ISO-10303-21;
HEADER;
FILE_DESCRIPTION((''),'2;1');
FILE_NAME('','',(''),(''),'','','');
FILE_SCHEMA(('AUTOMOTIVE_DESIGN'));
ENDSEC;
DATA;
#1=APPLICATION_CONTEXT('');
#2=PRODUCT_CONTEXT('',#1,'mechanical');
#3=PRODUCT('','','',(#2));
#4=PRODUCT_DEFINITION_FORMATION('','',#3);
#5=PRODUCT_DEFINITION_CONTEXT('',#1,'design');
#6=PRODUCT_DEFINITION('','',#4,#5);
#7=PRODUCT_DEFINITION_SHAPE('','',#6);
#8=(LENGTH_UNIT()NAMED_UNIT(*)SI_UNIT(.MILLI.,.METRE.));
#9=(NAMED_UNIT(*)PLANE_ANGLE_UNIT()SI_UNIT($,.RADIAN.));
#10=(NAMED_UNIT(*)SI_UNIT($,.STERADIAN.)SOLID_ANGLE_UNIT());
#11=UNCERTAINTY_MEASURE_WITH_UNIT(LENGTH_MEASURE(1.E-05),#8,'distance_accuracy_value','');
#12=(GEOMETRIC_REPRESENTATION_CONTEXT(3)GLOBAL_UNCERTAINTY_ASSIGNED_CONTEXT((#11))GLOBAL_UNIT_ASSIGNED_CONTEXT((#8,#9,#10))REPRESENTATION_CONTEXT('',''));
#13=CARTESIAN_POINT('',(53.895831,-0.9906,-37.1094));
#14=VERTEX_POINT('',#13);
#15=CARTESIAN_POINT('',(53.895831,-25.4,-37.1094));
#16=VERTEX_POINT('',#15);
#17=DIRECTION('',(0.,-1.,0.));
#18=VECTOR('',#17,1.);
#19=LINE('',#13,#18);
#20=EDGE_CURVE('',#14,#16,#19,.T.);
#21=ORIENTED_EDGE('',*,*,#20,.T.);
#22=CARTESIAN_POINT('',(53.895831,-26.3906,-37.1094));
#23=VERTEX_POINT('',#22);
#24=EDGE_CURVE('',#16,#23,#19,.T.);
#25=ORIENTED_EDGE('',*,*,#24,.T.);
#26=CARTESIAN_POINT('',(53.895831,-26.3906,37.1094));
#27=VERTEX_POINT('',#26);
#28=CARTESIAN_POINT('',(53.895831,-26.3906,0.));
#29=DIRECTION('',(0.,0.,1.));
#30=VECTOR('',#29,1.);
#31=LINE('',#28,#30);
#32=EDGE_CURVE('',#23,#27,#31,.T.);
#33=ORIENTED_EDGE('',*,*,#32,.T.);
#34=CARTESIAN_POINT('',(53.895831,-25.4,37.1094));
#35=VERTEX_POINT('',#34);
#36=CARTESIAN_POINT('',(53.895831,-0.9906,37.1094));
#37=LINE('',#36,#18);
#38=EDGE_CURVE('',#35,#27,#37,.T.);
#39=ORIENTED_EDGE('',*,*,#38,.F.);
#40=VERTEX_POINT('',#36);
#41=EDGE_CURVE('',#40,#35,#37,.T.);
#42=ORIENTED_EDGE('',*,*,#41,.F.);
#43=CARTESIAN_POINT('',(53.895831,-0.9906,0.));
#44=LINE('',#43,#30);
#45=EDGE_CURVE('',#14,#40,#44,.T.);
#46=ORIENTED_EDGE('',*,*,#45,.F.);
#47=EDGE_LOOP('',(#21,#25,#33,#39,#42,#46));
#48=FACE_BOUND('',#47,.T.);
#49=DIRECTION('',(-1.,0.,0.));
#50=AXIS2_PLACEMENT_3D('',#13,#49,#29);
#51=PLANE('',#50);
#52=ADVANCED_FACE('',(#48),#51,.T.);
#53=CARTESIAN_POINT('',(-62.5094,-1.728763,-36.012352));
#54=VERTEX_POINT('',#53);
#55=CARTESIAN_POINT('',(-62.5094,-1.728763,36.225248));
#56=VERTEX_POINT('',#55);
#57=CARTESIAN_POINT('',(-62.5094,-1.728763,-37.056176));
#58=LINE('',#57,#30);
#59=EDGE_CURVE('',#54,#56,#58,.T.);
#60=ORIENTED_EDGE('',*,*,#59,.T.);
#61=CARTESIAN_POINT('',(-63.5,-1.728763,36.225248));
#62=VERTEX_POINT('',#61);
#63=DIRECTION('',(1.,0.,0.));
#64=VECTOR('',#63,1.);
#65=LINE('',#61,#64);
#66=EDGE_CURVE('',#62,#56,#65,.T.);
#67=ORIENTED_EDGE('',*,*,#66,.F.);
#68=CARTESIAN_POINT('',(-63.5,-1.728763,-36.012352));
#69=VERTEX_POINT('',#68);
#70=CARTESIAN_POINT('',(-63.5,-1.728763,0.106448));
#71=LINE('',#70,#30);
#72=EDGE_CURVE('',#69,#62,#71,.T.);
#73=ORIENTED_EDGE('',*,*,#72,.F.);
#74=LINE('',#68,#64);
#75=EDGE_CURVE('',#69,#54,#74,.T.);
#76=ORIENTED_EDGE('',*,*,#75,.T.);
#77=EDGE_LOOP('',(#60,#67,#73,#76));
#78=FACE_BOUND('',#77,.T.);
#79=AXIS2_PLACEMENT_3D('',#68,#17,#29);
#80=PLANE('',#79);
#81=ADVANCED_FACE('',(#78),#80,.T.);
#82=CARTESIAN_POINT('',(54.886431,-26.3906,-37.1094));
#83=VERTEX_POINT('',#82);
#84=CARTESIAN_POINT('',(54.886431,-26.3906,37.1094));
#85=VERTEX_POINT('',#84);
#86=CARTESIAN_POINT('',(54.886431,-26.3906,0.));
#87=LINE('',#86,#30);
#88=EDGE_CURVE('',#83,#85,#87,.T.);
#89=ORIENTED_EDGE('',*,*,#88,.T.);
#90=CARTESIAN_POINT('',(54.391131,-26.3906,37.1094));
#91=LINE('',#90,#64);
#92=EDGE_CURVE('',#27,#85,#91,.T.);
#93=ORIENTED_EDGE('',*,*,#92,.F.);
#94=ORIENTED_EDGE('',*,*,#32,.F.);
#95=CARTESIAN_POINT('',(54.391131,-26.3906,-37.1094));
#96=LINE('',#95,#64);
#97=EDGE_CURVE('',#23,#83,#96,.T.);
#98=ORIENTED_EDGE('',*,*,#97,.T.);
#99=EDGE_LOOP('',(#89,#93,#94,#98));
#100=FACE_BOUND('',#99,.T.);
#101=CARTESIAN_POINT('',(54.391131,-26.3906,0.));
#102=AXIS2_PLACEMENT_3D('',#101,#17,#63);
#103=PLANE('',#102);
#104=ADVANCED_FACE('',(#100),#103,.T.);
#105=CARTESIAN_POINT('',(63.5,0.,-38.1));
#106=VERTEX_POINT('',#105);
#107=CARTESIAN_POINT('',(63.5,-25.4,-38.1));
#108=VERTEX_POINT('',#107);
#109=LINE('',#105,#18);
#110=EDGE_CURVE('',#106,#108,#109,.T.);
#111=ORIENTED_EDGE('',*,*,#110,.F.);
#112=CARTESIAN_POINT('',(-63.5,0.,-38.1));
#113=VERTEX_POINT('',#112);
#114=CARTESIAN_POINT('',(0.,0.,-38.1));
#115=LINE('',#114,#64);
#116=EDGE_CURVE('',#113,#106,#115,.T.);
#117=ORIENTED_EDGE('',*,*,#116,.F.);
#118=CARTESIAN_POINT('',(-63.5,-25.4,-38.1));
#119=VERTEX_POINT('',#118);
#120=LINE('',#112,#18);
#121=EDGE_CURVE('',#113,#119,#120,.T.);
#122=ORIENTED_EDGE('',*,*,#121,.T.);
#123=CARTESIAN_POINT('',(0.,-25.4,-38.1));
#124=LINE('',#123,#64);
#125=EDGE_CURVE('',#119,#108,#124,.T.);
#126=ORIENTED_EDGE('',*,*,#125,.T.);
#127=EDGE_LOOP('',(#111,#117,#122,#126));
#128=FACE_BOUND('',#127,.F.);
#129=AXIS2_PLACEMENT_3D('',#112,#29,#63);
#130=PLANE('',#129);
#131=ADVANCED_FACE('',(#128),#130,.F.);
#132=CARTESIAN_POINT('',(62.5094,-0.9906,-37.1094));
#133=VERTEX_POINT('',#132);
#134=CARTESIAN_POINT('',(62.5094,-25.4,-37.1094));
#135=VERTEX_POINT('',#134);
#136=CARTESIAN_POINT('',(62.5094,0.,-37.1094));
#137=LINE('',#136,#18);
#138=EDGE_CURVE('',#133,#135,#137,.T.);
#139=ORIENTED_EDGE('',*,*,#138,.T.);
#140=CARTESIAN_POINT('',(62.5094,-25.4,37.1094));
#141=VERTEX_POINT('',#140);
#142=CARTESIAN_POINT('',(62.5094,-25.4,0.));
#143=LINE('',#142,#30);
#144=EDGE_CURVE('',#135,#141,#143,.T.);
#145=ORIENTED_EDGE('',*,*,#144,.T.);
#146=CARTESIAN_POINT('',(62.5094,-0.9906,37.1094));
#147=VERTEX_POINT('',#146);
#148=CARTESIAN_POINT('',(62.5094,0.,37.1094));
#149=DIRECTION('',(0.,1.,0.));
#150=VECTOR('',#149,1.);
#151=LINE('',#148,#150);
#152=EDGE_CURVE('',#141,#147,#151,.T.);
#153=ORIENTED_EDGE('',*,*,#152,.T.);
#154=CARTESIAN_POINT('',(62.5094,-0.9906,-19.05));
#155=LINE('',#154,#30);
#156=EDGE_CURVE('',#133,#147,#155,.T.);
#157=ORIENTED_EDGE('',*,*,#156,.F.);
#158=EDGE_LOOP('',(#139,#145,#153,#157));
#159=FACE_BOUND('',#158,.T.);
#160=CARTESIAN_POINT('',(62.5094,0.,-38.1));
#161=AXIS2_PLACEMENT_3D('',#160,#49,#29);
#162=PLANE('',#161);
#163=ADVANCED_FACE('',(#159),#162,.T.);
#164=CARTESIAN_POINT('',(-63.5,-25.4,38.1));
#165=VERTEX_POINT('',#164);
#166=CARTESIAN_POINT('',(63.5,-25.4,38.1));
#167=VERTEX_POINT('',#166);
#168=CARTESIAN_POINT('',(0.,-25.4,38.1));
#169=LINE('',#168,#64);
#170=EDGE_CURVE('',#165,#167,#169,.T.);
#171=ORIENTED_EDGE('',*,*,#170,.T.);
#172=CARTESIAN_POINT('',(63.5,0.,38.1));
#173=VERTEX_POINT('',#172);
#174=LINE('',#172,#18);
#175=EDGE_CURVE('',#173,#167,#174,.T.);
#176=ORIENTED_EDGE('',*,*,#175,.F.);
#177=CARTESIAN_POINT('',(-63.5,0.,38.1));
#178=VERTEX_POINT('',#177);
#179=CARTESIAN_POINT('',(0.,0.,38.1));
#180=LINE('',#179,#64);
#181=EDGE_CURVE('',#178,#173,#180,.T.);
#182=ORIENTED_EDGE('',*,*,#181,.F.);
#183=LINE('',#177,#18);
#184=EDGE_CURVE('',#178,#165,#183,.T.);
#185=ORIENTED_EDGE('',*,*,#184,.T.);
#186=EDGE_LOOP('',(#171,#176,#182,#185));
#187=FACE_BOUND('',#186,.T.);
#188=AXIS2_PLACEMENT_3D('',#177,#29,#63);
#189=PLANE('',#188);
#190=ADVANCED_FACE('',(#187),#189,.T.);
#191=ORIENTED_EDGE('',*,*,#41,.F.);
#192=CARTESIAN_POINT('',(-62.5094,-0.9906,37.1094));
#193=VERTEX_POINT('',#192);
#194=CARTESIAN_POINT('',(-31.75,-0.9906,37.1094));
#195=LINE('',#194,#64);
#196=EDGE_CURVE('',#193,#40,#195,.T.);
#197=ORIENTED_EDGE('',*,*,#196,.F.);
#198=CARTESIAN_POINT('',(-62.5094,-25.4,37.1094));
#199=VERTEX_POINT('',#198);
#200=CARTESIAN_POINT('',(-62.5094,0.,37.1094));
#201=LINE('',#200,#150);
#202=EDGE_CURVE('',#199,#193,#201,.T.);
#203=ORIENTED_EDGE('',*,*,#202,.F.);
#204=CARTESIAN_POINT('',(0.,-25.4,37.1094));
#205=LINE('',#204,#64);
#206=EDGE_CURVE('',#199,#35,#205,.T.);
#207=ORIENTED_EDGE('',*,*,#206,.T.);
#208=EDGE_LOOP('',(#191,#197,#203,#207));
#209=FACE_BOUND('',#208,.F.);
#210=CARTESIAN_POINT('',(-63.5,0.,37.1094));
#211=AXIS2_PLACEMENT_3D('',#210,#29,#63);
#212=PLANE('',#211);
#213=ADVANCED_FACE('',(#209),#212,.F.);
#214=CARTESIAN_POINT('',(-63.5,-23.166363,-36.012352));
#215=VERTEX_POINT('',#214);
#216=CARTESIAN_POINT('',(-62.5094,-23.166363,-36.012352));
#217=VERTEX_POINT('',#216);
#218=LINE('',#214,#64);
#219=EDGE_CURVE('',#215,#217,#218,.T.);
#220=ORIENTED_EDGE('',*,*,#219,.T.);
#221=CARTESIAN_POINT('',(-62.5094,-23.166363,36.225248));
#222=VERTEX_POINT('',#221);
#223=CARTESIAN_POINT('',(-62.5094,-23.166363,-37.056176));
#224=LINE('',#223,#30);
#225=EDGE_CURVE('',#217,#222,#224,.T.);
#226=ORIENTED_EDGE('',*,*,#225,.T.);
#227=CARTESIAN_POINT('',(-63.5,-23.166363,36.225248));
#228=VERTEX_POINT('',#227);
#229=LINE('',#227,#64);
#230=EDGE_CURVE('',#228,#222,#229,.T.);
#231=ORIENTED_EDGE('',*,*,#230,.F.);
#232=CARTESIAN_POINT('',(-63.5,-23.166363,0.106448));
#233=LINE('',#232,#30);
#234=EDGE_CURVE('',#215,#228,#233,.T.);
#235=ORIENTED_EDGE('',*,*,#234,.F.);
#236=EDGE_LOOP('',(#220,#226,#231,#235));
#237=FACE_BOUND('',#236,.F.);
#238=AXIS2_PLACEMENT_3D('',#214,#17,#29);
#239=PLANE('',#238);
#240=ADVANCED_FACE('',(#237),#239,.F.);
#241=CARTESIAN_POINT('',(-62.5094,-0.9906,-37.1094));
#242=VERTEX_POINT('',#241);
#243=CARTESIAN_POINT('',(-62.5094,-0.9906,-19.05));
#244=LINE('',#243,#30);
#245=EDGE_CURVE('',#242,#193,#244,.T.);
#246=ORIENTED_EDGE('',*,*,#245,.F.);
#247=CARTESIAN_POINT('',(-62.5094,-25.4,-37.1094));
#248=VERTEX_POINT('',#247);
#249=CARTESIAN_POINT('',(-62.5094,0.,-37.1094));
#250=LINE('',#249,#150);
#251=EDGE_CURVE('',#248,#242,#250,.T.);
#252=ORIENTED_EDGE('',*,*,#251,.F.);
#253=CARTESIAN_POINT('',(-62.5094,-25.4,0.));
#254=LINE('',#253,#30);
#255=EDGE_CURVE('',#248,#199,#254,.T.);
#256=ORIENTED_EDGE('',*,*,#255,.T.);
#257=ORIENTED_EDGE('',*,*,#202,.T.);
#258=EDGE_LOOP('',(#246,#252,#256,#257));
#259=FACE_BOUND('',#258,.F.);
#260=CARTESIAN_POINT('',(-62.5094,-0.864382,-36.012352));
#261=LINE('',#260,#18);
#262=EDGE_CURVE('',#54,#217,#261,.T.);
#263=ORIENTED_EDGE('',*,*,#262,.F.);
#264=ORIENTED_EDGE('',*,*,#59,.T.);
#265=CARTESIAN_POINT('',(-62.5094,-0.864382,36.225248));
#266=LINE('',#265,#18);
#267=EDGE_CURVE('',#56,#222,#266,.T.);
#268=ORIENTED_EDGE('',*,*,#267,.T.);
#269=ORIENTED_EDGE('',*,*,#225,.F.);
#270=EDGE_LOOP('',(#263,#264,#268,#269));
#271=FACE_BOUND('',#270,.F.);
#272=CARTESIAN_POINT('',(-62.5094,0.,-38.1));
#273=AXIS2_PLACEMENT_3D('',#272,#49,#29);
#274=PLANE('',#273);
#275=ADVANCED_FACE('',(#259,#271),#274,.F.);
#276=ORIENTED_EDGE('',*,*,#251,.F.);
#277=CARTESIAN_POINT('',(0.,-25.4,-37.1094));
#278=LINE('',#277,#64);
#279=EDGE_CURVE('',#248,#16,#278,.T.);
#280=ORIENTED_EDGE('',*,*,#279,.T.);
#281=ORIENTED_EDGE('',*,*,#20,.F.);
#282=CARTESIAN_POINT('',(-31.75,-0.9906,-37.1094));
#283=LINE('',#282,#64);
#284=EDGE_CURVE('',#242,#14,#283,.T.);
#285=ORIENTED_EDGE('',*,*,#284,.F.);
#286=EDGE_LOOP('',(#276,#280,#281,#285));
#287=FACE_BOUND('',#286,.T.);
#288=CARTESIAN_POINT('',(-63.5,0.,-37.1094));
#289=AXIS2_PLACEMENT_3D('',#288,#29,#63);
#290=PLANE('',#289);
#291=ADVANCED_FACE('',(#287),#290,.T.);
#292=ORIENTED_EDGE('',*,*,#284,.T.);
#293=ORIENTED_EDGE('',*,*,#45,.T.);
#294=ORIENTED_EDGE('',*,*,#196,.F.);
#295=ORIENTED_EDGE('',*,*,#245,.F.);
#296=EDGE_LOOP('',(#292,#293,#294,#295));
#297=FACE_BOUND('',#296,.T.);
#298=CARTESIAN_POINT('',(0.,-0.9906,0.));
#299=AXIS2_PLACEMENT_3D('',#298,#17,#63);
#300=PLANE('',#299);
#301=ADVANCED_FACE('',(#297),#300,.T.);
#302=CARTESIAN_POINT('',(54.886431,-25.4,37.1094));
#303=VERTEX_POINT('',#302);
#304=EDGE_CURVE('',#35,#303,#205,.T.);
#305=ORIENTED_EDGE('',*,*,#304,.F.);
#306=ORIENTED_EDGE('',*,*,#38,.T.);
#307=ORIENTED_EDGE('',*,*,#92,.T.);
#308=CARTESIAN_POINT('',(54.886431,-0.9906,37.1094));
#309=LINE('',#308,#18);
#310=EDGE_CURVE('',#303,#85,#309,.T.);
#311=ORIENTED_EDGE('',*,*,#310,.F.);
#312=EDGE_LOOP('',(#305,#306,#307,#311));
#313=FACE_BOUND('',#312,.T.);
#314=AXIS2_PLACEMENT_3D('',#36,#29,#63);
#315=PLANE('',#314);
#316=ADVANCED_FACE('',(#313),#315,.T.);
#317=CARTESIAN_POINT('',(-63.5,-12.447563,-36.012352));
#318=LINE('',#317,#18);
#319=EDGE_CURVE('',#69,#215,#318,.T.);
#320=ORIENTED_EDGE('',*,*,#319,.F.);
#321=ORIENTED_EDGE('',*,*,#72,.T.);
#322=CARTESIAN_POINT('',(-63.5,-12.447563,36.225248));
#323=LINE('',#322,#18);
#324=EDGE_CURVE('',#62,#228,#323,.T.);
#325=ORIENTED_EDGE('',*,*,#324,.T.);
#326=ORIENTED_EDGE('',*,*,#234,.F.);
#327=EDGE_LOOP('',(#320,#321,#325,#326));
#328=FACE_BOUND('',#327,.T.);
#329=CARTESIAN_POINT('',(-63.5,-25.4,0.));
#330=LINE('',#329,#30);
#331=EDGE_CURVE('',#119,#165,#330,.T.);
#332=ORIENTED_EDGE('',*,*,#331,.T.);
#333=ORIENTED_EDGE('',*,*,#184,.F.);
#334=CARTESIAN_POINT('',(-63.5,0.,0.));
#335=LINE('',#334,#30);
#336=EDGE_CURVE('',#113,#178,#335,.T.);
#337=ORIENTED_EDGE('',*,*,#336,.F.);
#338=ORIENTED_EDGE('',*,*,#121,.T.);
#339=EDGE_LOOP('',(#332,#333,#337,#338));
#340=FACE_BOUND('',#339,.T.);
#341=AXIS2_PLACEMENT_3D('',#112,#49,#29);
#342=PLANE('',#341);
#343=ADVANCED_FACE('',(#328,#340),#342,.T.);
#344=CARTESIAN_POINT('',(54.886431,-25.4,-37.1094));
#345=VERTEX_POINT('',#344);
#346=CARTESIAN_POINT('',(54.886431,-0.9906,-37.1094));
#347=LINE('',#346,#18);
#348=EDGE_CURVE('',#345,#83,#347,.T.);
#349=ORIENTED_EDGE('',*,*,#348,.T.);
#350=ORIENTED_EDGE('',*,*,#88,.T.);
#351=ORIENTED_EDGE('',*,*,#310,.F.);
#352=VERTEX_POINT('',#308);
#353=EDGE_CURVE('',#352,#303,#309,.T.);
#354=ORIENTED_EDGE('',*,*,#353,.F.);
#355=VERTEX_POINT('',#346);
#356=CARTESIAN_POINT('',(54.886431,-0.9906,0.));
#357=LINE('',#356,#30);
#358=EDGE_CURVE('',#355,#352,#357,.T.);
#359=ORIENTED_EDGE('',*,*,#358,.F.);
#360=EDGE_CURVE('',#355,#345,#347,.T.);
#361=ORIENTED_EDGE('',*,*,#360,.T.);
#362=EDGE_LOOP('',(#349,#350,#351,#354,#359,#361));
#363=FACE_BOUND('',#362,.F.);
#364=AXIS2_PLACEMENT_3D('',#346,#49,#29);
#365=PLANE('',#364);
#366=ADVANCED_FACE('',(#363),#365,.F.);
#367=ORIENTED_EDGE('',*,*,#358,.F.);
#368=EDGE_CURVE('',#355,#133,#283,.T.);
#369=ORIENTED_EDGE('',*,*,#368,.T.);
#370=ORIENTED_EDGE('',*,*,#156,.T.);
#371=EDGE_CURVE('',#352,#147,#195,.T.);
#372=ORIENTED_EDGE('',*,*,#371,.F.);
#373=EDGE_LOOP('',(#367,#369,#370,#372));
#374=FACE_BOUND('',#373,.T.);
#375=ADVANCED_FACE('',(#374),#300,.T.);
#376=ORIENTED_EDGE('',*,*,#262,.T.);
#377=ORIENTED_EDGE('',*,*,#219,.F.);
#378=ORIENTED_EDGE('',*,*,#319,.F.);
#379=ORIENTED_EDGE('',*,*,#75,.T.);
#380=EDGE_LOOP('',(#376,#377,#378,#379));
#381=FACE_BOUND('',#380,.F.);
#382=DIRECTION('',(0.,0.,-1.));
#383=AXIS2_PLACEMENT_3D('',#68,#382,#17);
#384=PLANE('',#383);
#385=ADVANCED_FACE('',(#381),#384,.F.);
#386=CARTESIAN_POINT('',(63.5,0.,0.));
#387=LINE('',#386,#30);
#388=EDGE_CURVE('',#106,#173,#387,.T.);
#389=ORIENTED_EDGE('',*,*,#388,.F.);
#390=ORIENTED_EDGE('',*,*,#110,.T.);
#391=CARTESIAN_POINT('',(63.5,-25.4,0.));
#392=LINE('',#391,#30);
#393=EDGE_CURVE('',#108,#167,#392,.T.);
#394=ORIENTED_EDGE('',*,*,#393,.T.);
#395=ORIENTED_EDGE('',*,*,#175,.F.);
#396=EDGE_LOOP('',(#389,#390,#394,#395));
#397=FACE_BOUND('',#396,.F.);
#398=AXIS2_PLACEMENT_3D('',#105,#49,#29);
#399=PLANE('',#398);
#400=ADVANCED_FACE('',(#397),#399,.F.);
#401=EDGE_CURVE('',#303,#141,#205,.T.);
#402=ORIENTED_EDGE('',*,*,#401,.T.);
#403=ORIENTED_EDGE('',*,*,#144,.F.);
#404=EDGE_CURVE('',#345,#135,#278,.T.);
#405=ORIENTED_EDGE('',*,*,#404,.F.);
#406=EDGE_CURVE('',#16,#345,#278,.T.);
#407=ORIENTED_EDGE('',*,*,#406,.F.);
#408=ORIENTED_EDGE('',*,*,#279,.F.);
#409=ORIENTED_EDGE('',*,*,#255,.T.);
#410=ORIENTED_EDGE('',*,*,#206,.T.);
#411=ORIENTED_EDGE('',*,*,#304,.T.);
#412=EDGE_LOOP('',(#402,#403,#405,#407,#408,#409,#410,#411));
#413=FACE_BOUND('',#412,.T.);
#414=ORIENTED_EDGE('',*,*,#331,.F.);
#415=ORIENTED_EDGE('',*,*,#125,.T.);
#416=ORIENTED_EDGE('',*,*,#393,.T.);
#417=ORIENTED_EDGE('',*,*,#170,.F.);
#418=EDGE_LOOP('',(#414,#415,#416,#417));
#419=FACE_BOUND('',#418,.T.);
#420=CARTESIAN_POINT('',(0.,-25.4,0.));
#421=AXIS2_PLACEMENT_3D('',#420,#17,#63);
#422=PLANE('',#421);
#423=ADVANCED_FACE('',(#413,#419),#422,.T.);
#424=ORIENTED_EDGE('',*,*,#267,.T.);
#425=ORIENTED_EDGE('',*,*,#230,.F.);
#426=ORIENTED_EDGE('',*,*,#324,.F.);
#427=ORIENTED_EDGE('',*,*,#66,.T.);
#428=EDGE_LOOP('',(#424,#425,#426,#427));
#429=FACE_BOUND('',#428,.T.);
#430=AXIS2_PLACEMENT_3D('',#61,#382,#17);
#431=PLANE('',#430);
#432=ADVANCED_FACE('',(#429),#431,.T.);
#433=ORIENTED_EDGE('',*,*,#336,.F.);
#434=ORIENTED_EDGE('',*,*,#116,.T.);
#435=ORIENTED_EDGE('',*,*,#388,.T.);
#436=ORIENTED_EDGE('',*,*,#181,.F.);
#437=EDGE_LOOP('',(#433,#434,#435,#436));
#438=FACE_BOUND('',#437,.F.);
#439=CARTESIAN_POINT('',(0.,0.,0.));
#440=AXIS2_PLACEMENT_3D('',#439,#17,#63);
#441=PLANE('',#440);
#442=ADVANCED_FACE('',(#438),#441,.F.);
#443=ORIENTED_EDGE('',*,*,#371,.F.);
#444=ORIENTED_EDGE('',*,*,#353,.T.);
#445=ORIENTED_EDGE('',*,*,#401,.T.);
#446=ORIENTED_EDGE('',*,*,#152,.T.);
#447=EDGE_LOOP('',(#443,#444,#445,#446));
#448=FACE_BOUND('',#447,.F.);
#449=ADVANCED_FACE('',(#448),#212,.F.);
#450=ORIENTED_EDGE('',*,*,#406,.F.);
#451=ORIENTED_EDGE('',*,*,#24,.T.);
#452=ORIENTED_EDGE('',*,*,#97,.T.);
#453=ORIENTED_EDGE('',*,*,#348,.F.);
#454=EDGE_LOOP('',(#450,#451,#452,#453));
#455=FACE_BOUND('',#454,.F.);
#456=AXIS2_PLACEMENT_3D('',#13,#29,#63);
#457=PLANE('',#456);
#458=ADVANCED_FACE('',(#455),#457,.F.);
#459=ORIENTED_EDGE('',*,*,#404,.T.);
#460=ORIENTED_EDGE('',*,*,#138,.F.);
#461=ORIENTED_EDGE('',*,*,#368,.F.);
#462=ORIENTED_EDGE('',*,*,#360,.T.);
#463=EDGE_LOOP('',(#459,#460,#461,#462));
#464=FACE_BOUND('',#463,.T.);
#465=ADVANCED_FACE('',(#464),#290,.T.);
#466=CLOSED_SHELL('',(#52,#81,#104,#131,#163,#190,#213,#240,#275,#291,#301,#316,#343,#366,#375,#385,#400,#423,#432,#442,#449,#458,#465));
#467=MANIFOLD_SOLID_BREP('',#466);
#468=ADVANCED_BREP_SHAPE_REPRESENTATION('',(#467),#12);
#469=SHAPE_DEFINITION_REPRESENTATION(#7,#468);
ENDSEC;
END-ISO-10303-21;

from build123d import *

# Parameters (mm, degrees)
F0_W     = 127
F0_H     = 76.2
F1_DEPTH = 25.4
F2_T     = -0.9906
F3_W     = 0.9906
F3_H     = 74.2188
F4_DEPTH = 25.4
F5_W     = 21.4376
F5_H     = 72.2376
F6_DEPTH = 25.4


with BuildPart() as f1:
    # F0 (on Front) → F1 (new body)
    with BuildSketch(Plane.XZ):
        Rectangle(F0_W, F0_H)
    extrude(amount=F1_DEPTH)

    # F2
    f2_openings = [f1.faces().sort_by_distance(p)[0] for p in [
        (0, -25.4, 0),
    ]]
    offset(amount=F2_T, openings=f2_openings)

    # F3 (on face) → F4 (join)
    with BuildSketch(Plane.XZ.offset(0.9906)):
        with Locations((54.391131, 0)):
            Rectangle(F3_W, F3_H)
    extrude(amount=F4_DEPTH)

    # F5 (on face) → F6 (cut)
    with BuildSketch(Plane(origin=(-63.5, 0, 0), x_dir=(0, -1, 0), z_dir=(-1, 0, 0))):
        with Locations((12.447563, 0.106448)):
            Rectangle(F5_W, F5_H)
    extrude(amount=-F6_DEPTH, mode=Mode.SUBTRACT)


solid = f1.part
